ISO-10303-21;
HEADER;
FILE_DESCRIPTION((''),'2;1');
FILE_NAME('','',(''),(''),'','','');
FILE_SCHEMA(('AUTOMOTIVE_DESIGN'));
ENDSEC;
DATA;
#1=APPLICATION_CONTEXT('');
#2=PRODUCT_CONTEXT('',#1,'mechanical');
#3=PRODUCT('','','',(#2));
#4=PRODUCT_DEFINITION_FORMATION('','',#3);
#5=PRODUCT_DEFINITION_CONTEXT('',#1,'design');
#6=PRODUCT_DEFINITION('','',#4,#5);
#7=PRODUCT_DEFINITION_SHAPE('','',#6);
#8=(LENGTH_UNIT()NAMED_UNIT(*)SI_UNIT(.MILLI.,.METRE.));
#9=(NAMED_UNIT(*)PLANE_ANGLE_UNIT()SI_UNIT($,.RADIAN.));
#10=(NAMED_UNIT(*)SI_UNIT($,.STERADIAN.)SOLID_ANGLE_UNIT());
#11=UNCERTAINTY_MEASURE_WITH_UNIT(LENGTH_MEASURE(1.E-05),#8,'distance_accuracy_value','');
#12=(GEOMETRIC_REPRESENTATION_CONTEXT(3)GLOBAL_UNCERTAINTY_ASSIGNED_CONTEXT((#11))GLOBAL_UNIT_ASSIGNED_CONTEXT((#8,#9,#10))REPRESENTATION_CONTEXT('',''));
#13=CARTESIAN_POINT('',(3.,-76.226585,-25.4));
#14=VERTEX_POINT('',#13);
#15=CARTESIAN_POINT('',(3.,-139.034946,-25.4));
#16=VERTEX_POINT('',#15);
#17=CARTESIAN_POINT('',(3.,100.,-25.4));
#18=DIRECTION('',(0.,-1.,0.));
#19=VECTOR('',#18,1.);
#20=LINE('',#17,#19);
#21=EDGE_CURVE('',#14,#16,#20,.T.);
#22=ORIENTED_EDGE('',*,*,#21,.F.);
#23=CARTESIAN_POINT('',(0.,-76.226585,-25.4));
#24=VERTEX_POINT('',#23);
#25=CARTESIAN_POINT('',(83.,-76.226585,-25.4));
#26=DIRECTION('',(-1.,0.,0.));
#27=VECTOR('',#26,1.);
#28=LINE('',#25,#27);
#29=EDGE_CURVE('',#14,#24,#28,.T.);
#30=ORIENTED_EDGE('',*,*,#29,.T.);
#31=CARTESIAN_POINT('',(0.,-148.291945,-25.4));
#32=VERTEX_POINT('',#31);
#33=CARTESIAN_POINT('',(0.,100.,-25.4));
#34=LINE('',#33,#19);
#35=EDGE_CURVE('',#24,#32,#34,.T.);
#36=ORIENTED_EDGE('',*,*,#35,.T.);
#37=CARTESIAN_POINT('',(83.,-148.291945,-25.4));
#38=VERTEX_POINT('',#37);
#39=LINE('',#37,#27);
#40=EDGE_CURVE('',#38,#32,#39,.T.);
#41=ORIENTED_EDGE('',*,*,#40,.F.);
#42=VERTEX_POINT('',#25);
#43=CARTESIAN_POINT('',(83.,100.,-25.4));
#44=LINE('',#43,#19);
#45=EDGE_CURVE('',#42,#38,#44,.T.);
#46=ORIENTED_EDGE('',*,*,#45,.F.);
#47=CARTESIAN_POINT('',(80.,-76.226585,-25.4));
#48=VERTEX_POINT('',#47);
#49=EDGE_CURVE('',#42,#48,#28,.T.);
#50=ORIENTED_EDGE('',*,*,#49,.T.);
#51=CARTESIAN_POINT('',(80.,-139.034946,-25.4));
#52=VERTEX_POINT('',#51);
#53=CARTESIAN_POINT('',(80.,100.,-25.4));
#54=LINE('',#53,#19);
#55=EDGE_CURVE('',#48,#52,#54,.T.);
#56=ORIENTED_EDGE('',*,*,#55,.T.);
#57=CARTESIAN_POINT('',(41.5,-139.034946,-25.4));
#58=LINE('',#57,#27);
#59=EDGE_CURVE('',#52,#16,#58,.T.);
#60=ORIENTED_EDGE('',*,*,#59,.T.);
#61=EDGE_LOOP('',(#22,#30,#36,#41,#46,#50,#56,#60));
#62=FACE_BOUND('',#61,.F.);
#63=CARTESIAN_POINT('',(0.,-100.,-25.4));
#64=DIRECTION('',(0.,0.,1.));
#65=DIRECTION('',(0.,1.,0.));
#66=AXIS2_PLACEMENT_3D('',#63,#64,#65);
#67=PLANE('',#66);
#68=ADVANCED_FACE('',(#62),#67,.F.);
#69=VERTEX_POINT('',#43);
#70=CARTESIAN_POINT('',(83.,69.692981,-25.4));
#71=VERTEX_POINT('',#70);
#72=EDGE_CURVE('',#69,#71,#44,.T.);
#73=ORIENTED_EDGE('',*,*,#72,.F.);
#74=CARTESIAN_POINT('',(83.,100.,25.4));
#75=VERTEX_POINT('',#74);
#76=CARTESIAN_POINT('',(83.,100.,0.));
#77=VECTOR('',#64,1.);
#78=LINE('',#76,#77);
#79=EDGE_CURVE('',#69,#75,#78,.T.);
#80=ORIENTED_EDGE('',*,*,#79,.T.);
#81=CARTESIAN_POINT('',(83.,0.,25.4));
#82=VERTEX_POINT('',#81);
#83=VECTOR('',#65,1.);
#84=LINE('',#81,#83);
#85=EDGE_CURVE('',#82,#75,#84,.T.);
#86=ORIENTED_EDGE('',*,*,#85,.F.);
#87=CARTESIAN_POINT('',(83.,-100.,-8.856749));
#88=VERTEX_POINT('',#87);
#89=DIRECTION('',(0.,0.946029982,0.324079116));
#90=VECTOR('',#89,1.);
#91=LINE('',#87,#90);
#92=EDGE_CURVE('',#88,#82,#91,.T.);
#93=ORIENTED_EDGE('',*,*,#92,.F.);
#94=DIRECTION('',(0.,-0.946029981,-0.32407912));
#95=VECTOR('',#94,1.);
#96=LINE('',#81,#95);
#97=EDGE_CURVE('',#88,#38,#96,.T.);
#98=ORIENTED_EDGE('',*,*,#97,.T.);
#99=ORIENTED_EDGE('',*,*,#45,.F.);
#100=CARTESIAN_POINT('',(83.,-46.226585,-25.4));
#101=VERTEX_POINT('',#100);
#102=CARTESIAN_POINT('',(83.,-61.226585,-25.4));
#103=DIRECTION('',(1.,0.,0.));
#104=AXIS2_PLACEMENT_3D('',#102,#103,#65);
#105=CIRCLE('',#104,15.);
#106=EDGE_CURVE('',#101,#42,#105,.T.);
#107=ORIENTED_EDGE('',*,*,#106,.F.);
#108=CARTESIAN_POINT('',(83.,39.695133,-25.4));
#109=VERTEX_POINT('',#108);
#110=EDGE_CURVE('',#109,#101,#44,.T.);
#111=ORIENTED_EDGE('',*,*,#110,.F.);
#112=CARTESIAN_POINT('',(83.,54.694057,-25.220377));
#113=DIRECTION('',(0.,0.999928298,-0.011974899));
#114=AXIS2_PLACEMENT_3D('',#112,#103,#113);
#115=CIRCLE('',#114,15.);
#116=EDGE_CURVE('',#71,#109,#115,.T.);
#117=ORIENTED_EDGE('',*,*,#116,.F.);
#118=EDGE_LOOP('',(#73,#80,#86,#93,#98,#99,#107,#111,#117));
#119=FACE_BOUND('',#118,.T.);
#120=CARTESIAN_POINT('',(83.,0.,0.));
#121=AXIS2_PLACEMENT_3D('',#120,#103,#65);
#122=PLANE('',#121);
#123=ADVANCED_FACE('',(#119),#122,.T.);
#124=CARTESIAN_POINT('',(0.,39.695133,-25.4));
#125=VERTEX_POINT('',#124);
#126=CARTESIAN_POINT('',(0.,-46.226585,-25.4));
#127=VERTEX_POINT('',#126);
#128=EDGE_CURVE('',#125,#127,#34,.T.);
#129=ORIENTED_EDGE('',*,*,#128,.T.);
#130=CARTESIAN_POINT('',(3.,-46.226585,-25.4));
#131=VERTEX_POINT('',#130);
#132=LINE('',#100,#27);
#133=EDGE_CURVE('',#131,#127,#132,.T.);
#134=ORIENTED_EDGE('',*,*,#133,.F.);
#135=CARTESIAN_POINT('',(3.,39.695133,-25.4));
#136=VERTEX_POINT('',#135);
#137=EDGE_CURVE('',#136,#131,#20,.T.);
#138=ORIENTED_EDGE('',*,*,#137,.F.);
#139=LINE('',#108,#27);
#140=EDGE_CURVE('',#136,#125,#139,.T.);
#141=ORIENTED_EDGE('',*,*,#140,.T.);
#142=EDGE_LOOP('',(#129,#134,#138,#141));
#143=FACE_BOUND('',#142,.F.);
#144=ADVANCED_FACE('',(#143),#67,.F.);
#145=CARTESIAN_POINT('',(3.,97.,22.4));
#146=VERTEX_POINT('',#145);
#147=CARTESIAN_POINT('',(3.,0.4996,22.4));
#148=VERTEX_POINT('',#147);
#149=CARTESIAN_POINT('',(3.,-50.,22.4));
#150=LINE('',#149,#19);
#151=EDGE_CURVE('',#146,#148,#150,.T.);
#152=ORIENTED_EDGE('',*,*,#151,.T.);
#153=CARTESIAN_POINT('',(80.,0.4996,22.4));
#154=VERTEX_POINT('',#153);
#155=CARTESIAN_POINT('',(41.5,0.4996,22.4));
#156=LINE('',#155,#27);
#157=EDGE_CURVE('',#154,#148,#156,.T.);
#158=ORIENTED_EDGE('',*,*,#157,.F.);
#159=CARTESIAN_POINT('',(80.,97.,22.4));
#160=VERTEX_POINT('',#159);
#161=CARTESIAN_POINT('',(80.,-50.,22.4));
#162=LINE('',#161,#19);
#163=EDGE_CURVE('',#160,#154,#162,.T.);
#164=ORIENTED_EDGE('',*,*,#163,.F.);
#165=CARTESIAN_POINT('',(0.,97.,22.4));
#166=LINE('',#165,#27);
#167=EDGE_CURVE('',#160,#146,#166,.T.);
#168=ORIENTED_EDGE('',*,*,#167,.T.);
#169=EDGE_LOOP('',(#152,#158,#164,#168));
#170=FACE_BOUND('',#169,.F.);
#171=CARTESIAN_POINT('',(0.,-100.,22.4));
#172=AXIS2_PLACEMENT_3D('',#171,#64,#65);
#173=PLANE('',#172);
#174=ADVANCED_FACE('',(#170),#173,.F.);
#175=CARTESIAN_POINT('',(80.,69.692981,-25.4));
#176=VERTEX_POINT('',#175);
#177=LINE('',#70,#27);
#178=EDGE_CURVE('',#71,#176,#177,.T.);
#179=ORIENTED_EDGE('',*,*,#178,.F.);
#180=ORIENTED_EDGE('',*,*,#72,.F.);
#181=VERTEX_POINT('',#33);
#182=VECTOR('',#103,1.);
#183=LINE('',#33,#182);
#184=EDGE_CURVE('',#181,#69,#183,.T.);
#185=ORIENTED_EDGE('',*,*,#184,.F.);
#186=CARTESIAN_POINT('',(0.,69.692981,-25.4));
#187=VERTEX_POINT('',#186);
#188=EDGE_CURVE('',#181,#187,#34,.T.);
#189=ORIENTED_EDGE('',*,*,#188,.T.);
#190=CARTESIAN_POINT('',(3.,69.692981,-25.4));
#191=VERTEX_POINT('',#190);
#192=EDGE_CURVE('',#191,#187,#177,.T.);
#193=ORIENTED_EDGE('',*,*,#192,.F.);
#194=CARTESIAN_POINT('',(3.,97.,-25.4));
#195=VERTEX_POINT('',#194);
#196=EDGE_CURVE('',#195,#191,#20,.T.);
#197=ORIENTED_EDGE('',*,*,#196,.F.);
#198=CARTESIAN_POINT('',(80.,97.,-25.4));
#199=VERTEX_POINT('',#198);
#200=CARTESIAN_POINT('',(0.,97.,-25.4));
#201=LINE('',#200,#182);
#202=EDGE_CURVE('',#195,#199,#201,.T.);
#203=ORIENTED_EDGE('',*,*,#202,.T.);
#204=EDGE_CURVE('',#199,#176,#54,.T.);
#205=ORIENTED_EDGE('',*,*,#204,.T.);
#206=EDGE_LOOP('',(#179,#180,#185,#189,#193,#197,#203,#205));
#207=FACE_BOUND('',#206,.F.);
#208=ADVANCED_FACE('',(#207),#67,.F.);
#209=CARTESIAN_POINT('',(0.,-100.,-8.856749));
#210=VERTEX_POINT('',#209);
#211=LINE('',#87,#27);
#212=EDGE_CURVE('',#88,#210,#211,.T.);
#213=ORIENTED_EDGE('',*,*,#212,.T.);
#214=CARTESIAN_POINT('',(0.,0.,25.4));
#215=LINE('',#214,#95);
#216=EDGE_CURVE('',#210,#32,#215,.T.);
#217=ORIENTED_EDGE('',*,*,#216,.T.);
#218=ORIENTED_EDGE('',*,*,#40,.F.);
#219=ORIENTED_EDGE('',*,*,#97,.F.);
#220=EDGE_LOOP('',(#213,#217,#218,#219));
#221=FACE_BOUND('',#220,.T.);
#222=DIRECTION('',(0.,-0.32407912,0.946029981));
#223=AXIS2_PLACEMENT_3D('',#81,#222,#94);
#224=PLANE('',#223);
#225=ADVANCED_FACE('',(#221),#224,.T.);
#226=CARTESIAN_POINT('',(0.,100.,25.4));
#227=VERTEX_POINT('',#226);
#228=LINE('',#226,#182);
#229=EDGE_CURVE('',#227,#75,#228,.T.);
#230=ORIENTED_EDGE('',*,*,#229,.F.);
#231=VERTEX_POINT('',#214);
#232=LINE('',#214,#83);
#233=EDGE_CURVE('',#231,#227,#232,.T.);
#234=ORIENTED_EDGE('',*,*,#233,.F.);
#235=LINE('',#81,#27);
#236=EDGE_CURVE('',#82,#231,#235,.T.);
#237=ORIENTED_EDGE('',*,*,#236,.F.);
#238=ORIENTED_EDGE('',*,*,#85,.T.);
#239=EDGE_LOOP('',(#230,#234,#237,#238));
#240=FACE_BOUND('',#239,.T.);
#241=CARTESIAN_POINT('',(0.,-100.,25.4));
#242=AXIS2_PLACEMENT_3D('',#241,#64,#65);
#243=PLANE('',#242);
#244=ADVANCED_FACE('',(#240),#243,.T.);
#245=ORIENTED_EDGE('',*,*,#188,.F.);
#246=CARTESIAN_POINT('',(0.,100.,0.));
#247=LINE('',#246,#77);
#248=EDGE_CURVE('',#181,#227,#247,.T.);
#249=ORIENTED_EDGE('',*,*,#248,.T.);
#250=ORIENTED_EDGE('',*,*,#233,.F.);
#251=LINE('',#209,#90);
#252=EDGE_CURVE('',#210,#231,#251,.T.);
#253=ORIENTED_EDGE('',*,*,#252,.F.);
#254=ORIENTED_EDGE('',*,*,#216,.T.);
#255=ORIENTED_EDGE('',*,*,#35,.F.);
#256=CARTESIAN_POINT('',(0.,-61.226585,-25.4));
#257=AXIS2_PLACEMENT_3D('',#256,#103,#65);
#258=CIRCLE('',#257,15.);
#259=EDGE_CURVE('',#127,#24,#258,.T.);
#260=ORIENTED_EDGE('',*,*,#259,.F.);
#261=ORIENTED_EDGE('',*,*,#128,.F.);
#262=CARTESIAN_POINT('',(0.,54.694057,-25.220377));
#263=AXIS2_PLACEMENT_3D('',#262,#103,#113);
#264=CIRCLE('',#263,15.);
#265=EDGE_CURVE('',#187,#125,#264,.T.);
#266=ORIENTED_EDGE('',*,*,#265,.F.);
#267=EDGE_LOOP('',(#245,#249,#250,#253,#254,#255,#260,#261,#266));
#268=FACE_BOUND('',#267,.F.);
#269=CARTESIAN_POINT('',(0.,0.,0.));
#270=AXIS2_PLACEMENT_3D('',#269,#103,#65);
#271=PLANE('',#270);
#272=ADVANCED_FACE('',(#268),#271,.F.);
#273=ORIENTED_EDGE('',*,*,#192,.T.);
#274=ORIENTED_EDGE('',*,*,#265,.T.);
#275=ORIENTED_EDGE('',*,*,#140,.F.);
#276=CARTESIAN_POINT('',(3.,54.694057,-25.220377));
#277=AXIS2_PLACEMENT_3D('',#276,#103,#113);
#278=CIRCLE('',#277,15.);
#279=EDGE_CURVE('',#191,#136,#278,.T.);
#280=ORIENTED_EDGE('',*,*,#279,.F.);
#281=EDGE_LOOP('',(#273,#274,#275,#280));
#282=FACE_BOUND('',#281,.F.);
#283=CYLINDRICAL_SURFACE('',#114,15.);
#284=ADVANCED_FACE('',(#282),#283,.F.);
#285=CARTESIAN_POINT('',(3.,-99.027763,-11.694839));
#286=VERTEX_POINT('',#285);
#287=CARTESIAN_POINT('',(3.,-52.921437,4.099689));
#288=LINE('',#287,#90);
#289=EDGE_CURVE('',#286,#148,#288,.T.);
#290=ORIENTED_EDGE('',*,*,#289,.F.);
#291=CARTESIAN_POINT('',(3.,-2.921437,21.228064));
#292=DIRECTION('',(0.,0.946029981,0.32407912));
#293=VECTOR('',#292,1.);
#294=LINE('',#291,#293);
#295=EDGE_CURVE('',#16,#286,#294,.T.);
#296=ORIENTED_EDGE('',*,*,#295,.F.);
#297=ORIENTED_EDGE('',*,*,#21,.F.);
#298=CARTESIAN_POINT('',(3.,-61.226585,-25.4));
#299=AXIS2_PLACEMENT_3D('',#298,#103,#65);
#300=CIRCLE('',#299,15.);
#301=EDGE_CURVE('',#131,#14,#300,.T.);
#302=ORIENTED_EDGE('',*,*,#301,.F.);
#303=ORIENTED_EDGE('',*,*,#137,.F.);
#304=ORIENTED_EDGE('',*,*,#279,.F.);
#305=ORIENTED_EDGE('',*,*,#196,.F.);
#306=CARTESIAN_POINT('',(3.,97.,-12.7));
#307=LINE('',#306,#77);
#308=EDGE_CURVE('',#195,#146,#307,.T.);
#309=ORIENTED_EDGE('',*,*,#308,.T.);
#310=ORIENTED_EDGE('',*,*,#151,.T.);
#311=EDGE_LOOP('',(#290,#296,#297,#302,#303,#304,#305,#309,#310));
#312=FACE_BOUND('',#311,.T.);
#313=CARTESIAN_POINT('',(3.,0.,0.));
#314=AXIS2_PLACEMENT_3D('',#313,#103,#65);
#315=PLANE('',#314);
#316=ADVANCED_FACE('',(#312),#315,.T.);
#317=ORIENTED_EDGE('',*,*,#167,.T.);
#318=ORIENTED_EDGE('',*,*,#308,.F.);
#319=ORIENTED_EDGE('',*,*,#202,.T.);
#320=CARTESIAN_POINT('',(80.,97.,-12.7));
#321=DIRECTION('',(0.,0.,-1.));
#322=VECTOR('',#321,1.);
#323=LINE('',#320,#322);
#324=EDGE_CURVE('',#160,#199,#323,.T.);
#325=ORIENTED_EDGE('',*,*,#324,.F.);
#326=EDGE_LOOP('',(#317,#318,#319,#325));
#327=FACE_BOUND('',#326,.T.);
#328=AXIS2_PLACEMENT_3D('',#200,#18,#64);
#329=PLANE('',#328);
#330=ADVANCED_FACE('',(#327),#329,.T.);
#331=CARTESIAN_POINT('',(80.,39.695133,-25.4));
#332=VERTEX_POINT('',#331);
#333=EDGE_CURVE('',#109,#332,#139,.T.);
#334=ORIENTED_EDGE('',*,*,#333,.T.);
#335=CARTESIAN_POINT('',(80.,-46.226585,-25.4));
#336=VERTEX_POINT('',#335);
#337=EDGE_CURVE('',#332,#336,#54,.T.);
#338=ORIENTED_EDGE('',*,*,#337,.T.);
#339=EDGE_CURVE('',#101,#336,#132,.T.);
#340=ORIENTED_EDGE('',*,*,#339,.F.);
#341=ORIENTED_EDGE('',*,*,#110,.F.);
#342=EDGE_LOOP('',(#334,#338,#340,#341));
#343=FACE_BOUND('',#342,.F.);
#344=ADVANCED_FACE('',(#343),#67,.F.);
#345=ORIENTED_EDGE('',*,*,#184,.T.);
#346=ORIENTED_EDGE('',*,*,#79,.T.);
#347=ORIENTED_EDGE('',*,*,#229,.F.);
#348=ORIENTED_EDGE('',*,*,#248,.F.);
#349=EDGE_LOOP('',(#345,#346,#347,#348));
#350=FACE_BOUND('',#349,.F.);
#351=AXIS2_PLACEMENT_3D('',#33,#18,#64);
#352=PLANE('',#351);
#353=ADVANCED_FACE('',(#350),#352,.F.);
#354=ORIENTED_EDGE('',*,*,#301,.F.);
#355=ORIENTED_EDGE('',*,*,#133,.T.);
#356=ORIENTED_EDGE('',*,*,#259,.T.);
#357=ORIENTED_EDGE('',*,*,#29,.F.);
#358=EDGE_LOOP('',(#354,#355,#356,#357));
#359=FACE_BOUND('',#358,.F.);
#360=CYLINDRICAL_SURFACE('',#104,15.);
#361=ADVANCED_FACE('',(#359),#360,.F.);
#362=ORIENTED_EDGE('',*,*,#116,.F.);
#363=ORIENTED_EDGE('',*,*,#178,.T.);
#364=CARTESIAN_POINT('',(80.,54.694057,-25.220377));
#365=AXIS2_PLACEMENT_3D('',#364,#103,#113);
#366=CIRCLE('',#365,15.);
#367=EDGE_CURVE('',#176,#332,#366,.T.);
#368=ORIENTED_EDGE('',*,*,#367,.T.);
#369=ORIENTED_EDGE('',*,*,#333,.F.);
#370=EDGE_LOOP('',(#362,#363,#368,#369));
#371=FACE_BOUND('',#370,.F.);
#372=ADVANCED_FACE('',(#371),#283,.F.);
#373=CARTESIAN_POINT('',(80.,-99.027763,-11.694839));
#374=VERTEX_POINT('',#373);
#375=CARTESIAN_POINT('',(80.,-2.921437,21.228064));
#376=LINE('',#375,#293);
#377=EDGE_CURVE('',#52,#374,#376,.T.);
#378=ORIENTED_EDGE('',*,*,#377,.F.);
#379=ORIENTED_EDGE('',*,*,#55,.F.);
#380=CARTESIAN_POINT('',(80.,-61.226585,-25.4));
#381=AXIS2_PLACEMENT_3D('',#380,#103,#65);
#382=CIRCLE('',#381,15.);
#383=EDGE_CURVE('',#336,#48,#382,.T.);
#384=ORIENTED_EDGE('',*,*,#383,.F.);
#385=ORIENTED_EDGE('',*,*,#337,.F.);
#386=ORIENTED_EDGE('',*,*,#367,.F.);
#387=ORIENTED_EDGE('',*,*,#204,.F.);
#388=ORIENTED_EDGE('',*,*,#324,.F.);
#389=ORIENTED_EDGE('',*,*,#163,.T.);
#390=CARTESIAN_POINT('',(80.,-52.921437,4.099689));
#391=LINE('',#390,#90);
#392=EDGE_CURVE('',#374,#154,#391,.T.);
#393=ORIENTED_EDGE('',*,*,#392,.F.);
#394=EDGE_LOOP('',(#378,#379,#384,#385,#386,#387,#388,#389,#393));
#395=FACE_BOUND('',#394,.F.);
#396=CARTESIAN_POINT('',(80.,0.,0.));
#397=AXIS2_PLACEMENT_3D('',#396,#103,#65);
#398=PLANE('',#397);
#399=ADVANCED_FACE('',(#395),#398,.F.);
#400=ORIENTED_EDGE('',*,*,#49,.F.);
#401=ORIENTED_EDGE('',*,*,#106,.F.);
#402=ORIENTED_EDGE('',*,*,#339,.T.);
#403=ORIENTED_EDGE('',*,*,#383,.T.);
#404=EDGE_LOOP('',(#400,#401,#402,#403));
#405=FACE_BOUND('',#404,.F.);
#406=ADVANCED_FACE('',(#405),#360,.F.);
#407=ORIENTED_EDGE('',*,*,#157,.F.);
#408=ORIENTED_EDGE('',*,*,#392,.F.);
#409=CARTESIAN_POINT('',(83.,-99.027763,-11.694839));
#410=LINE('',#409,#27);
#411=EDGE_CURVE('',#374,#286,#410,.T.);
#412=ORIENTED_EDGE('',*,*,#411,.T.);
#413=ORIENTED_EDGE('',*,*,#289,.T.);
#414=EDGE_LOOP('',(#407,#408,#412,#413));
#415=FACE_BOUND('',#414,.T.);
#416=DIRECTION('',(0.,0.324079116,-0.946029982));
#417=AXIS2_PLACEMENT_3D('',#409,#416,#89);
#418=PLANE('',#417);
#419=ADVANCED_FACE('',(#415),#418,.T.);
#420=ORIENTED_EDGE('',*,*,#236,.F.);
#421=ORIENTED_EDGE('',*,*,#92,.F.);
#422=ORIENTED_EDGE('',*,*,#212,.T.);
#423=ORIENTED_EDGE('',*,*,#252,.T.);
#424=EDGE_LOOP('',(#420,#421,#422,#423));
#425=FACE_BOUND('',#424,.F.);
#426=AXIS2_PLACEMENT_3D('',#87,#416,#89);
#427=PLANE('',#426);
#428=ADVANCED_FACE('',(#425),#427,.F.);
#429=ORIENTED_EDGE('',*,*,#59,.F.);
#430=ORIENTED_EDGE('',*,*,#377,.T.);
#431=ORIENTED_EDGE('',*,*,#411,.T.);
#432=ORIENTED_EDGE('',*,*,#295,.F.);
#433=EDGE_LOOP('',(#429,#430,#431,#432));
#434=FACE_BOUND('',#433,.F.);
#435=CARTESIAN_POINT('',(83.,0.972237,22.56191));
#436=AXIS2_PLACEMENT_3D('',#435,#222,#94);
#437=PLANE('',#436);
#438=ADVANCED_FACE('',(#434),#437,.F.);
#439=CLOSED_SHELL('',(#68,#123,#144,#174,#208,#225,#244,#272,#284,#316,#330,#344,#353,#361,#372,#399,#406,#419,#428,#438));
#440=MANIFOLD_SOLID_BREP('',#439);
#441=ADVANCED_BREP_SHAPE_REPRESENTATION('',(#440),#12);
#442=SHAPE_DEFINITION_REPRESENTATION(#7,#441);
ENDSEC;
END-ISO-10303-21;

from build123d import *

# Parameters (mm, degrees)
F0_W     = 200
F0_H     = 50.8
F1_DEPTH = 83
F3_DEPTH = 83
F4_DEPTH = 83
F5_T     = -3
F7_DEPTH = 101.6


with BuildPart() as f1:
    # F0 (on Right) → F1 (new body)
    with BuildSketch(Plane.YZ):
        Rectangle(F0_W, F0_H)
    extrude(amount=F1_DEPTH)

    # F2 (on face) → F3 (cut)
    with BuildSketch(Plane.YZ.offset(83)):
        Polygon((-100, -8.856749), (0, 25.4), (-100, 25.4), align=None)
    extrude(amount=-F3_DEPTH, mode=Mode.SUBTRACT)

    # F2 (on face) → F4 (join)
    with BuildSketch(Plane.YZ.offset(83)):
        Polygon((0, -25.4), (0, 25.4), (-148.291945, -25.4), align=None)
    extrude(amount=-F4_DEPTH)

    # F5
    f5_openings = [f1.faces().sort_by_distance(p)[0] for p in [
        (41.5, -24.145973, -25.4),
    ]]
    offset(amount=F5_T, openings=f5_openings)

    # F6 (on face) → F7 (cut)
    with BuildSketch(Plane.YZ.offset(83)):
        with BuildLine():
            Line((-76.226585, -25.4), (-46.226585, -25.4))
            ThreePointArc((-46.226585, -25.4), (-61.226585, -10.4), (-76.226585, -25.4))
        make_face()
        with BuildLine():
            ThreePointArc((69.692981, -25.4), (54.694057, -10.220377), (39.695133, -25.4))
            Line((39.695133, -25.4), (69.692981, -25.4))
        make_face()
    extrude(amount=-F7_DEPTH, mode=Mode.SUBTRACT)


solid = f1.part
